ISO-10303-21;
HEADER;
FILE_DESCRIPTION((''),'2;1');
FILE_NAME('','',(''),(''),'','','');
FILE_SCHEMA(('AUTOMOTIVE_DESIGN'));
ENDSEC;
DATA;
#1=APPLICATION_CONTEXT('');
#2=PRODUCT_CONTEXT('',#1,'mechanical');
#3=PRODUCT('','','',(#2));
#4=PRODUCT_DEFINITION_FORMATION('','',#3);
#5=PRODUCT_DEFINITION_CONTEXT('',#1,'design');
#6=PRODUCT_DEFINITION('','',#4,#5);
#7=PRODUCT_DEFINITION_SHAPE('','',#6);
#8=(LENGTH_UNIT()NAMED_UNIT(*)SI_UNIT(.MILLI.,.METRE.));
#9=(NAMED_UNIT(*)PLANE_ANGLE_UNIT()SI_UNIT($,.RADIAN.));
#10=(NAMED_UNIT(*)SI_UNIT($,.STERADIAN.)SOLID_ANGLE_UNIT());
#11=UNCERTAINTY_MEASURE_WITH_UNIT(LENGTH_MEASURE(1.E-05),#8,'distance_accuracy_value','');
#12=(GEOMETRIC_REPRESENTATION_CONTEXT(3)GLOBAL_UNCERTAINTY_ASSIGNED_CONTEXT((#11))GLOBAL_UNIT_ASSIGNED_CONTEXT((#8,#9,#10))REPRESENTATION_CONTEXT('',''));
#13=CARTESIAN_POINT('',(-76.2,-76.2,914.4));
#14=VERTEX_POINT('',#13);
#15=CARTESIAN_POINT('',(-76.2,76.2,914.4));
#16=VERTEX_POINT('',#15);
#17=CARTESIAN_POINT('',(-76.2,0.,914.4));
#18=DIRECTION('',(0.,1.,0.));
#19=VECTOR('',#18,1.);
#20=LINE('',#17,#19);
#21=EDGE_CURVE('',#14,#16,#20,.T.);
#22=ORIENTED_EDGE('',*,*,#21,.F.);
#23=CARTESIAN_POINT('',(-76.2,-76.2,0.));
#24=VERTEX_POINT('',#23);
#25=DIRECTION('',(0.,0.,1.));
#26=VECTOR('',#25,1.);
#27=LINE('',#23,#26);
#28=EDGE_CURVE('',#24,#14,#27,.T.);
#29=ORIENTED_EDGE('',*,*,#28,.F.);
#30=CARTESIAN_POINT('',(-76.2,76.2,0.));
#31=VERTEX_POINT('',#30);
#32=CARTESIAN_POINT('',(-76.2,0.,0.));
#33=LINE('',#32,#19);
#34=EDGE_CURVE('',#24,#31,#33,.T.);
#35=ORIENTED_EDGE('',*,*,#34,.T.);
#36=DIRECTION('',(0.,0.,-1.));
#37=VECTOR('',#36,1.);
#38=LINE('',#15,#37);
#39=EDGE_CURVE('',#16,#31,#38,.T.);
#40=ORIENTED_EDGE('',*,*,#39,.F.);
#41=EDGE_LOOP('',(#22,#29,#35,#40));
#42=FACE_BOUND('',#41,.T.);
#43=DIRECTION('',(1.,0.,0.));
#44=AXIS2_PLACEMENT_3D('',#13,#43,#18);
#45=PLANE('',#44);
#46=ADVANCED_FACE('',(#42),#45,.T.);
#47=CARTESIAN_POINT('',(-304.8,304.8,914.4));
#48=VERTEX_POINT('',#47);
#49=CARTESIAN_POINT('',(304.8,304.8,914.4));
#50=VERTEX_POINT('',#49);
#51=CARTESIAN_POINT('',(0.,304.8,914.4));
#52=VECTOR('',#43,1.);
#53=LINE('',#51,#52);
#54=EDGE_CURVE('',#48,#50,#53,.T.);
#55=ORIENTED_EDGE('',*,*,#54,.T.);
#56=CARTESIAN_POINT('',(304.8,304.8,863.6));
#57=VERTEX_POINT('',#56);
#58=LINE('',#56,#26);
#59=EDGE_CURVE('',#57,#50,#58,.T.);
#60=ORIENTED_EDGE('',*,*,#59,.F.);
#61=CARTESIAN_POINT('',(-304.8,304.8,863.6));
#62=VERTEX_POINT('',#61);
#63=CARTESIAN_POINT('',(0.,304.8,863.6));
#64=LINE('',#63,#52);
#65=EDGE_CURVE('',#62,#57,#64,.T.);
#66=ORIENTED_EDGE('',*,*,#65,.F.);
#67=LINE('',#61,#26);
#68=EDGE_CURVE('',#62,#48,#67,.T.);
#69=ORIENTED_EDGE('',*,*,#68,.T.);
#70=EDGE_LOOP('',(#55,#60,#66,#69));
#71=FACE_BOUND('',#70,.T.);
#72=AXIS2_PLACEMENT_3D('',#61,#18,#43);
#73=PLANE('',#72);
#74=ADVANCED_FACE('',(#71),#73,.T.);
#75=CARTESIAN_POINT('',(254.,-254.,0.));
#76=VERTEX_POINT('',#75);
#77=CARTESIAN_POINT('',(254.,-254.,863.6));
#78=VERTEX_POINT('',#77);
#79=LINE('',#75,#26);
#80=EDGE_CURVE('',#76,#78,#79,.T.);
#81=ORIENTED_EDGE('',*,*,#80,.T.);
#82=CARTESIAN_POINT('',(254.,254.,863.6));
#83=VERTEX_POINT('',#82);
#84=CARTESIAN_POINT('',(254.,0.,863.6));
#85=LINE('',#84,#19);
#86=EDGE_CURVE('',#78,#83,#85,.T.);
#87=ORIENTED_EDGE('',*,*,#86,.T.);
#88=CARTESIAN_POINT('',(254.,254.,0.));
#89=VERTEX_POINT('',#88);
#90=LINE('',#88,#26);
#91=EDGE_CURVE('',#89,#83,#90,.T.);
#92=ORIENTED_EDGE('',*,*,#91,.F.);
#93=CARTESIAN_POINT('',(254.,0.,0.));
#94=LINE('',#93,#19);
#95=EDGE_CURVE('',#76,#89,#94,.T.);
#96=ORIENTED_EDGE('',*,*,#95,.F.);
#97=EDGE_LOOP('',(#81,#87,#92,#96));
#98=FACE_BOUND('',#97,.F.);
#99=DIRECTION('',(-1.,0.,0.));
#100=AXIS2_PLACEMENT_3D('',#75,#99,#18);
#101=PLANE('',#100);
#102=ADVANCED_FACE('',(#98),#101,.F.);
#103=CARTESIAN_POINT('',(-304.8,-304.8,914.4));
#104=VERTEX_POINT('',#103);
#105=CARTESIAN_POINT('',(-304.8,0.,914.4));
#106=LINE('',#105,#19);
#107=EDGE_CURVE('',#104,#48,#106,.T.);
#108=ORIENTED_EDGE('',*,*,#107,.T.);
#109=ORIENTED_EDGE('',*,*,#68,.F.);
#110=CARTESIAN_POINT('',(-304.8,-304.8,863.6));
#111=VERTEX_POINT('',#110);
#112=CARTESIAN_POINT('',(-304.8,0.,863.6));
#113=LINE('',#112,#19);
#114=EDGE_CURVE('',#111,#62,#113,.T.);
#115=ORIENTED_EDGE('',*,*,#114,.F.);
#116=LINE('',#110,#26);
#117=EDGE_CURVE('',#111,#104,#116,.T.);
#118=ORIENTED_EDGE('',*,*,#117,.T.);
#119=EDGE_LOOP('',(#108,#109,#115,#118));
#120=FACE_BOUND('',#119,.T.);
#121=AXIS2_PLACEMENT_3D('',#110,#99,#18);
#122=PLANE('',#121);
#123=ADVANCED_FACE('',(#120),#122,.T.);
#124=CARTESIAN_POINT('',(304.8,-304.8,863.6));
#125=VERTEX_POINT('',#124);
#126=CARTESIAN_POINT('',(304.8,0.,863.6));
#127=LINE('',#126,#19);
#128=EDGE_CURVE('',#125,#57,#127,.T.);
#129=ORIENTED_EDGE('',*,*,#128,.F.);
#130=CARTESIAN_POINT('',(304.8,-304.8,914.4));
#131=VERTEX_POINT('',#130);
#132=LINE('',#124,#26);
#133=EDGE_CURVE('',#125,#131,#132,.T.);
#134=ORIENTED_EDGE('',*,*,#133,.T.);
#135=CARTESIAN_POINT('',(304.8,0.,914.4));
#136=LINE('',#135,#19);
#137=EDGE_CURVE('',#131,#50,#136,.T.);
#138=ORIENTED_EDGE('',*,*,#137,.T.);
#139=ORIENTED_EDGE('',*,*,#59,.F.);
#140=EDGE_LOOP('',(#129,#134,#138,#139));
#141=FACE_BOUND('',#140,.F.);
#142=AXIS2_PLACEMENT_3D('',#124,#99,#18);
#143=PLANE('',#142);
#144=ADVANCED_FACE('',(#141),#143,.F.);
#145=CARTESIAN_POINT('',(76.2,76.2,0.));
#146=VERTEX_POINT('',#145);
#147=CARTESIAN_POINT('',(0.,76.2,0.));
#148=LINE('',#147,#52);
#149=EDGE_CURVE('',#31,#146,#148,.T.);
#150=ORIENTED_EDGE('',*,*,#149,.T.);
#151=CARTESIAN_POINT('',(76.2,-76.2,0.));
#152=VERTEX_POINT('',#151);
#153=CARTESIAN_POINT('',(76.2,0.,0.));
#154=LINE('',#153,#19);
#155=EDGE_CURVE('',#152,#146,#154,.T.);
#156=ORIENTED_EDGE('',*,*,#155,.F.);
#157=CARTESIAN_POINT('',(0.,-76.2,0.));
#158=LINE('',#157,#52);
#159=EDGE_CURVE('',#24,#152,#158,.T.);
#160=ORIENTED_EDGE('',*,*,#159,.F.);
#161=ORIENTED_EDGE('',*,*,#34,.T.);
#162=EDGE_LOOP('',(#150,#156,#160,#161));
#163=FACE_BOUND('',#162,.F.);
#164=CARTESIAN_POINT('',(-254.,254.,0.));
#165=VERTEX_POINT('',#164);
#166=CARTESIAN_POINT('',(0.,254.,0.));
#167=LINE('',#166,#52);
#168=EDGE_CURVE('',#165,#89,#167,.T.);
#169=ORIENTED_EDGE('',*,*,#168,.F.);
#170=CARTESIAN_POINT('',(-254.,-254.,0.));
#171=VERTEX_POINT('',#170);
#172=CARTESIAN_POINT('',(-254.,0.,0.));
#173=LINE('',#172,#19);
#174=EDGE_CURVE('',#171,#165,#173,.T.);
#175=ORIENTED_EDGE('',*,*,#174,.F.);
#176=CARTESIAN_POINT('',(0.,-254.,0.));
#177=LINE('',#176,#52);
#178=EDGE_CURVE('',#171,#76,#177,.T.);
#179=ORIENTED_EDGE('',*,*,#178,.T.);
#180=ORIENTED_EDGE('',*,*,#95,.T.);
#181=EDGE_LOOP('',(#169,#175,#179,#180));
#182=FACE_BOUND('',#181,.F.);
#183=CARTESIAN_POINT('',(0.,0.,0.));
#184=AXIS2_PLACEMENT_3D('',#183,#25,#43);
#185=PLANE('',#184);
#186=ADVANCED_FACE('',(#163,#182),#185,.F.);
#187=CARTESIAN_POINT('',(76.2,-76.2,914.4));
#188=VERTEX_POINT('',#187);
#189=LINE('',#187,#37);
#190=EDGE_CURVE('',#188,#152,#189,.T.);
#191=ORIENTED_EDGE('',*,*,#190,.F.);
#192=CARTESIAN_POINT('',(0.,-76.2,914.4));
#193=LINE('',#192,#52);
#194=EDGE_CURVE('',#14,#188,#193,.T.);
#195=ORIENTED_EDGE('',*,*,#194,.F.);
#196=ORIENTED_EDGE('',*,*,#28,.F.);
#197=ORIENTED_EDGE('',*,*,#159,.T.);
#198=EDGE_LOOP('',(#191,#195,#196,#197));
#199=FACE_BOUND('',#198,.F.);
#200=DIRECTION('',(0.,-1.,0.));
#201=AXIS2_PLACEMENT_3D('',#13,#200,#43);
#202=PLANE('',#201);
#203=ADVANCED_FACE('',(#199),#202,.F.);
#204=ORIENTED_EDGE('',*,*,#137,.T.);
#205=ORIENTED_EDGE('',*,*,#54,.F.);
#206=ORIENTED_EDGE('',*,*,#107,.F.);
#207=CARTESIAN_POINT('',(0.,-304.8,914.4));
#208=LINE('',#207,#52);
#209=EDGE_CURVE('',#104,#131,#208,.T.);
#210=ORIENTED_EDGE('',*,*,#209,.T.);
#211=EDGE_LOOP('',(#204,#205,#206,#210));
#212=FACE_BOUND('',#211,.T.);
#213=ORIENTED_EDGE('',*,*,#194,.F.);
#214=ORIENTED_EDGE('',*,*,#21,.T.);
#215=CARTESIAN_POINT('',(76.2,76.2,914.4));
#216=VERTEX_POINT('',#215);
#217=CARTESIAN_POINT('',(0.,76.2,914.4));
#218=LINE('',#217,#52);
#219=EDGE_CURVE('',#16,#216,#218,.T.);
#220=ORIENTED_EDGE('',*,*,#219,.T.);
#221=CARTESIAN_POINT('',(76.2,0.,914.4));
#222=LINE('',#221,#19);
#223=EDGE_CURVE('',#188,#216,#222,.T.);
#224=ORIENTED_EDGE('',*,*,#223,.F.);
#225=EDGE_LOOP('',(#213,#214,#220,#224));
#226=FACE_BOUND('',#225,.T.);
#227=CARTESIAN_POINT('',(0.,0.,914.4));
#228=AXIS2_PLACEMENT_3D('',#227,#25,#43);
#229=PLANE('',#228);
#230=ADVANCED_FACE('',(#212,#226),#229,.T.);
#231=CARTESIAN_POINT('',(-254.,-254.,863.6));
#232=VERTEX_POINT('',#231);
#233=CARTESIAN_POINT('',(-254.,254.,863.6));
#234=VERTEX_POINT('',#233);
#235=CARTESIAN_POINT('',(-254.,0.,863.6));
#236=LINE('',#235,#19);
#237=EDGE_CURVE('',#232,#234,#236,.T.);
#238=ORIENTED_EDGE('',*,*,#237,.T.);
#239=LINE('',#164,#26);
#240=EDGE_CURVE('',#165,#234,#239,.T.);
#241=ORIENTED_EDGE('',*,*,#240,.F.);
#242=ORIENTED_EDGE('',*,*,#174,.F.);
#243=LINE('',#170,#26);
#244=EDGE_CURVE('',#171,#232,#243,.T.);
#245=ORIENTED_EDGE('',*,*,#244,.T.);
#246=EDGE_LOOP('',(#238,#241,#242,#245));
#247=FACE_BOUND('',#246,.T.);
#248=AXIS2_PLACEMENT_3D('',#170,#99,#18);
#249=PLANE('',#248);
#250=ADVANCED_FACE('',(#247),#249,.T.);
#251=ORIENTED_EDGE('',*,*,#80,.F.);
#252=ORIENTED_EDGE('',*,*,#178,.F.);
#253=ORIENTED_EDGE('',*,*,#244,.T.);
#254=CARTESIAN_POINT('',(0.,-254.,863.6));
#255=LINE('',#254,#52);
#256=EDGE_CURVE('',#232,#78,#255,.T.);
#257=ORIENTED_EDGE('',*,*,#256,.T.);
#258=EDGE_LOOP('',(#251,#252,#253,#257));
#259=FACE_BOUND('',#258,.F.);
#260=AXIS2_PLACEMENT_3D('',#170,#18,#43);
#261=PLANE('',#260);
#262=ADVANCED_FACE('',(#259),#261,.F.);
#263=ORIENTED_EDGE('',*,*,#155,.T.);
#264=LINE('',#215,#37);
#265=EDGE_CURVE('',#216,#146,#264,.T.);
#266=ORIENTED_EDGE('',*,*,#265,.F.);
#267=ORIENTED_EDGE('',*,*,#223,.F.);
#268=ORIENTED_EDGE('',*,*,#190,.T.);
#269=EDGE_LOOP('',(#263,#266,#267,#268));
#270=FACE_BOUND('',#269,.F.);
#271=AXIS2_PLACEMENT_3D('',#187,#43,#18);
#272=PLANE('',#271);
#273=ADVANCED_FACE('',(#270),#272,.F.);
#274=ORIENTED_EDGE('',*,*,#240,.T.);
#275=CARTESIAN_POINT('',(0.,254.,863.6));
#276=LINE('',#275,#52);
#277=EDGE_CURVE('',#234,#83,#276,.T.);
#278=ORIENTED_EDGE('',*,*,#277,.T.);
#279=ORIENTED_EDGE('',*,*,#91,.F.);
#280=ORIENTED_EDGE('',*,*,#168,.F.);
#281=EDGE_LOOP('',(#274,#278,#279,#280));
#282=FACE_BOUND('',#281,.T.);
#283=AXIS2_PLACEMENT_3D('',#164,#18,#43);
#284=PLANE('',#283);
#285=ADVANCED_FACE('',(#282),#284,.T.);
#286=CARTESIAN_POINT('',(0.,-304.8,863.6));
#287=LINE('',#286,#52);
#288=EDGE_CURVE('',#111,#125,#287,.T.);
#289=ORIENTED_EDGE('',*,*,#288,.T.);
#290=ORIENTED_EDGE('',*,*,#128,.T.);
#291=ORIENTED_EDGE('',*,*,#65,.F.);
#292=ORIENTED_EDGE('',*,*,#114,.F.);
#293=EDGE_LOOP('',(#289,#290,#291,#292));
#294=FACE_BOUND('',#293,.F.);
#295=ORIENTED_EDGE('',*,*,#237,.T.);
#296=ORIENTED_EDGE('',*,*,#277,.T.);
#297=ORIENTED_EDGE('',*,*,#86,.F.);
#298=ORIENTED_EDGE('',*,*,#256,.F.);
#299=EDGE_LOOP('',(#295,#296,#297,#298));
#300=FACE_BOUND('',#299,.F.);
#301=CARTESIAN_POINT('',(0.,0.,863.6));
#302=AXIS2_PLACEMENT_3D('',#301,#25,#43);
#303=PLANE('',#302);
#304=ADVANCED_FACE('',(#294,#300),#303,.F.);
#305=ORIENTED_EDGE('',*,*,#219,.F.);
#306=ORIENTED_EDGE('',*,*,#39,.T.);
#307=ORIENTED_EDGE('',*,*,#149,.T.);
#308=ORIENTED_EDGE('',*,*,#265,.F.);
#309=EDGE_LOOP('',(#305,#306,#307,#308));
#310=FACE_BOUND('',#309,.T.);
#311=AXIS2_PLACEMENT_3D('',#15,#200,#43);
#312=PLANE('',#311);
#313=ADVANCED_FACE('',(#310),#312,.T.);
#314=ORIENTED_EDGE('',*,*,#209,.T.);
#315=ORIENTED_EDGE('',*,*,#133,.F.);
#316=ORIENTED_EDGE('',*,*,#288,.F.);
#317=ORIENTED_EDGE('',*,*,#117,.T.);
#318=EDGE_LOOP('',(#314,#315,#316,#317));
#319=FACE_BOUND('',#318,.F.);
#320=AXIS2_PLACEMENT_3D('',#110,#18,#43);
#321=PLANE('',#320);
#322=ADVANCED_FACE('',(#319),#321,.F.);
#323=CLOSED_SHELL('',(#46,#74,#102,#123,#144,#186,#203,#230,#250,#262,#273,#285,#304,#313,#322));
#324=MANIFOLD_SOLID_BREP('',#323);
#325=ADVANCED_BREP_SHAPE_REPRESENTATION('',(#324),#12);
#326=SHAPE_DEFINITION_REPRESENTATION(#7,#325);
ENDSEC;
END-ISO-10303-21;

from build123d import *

# Parameters (mm, degrees)
F0_W     = 508
F0_H     = 508
F0_W_2   = 152.4
F0_H_2   = 152.4
F1_DEPTH = 863.6
F2_W     = 609.6
F2_H     = 609.6
F3_DEPTH = 50.8
F4_W     = 152.4
F4_H     = 152.4
F5_DEPTH = 254


with BuildPart() as f1:
    # F0 (on Top) → F1 (new body)
    with BuildSketch(Plane.XY):
        Rectangle(F0_W, F0_H)
        Rectangle(F0_W_2, F0_H_2, mode=Mode.SUBTRACT)
    extrude(amount=F1_DEPTH)

    # F2 (on face) → F3 (join)
    with BuildSketch(Plane.XY.offset(863.6)):
        Rectangle(F2_W, F2_H)
    extrude(amount=F3_DEPTH)

    # F4 (on face) → F5 (cut)
    with BuildSketch(Plane.XY.offset(914.4)):
        Rectangle(F4_W, F4_H)
    extrude(amount=-F5_DEPTH, mode=Mode.SUBTRACT)


solid = f1.part
